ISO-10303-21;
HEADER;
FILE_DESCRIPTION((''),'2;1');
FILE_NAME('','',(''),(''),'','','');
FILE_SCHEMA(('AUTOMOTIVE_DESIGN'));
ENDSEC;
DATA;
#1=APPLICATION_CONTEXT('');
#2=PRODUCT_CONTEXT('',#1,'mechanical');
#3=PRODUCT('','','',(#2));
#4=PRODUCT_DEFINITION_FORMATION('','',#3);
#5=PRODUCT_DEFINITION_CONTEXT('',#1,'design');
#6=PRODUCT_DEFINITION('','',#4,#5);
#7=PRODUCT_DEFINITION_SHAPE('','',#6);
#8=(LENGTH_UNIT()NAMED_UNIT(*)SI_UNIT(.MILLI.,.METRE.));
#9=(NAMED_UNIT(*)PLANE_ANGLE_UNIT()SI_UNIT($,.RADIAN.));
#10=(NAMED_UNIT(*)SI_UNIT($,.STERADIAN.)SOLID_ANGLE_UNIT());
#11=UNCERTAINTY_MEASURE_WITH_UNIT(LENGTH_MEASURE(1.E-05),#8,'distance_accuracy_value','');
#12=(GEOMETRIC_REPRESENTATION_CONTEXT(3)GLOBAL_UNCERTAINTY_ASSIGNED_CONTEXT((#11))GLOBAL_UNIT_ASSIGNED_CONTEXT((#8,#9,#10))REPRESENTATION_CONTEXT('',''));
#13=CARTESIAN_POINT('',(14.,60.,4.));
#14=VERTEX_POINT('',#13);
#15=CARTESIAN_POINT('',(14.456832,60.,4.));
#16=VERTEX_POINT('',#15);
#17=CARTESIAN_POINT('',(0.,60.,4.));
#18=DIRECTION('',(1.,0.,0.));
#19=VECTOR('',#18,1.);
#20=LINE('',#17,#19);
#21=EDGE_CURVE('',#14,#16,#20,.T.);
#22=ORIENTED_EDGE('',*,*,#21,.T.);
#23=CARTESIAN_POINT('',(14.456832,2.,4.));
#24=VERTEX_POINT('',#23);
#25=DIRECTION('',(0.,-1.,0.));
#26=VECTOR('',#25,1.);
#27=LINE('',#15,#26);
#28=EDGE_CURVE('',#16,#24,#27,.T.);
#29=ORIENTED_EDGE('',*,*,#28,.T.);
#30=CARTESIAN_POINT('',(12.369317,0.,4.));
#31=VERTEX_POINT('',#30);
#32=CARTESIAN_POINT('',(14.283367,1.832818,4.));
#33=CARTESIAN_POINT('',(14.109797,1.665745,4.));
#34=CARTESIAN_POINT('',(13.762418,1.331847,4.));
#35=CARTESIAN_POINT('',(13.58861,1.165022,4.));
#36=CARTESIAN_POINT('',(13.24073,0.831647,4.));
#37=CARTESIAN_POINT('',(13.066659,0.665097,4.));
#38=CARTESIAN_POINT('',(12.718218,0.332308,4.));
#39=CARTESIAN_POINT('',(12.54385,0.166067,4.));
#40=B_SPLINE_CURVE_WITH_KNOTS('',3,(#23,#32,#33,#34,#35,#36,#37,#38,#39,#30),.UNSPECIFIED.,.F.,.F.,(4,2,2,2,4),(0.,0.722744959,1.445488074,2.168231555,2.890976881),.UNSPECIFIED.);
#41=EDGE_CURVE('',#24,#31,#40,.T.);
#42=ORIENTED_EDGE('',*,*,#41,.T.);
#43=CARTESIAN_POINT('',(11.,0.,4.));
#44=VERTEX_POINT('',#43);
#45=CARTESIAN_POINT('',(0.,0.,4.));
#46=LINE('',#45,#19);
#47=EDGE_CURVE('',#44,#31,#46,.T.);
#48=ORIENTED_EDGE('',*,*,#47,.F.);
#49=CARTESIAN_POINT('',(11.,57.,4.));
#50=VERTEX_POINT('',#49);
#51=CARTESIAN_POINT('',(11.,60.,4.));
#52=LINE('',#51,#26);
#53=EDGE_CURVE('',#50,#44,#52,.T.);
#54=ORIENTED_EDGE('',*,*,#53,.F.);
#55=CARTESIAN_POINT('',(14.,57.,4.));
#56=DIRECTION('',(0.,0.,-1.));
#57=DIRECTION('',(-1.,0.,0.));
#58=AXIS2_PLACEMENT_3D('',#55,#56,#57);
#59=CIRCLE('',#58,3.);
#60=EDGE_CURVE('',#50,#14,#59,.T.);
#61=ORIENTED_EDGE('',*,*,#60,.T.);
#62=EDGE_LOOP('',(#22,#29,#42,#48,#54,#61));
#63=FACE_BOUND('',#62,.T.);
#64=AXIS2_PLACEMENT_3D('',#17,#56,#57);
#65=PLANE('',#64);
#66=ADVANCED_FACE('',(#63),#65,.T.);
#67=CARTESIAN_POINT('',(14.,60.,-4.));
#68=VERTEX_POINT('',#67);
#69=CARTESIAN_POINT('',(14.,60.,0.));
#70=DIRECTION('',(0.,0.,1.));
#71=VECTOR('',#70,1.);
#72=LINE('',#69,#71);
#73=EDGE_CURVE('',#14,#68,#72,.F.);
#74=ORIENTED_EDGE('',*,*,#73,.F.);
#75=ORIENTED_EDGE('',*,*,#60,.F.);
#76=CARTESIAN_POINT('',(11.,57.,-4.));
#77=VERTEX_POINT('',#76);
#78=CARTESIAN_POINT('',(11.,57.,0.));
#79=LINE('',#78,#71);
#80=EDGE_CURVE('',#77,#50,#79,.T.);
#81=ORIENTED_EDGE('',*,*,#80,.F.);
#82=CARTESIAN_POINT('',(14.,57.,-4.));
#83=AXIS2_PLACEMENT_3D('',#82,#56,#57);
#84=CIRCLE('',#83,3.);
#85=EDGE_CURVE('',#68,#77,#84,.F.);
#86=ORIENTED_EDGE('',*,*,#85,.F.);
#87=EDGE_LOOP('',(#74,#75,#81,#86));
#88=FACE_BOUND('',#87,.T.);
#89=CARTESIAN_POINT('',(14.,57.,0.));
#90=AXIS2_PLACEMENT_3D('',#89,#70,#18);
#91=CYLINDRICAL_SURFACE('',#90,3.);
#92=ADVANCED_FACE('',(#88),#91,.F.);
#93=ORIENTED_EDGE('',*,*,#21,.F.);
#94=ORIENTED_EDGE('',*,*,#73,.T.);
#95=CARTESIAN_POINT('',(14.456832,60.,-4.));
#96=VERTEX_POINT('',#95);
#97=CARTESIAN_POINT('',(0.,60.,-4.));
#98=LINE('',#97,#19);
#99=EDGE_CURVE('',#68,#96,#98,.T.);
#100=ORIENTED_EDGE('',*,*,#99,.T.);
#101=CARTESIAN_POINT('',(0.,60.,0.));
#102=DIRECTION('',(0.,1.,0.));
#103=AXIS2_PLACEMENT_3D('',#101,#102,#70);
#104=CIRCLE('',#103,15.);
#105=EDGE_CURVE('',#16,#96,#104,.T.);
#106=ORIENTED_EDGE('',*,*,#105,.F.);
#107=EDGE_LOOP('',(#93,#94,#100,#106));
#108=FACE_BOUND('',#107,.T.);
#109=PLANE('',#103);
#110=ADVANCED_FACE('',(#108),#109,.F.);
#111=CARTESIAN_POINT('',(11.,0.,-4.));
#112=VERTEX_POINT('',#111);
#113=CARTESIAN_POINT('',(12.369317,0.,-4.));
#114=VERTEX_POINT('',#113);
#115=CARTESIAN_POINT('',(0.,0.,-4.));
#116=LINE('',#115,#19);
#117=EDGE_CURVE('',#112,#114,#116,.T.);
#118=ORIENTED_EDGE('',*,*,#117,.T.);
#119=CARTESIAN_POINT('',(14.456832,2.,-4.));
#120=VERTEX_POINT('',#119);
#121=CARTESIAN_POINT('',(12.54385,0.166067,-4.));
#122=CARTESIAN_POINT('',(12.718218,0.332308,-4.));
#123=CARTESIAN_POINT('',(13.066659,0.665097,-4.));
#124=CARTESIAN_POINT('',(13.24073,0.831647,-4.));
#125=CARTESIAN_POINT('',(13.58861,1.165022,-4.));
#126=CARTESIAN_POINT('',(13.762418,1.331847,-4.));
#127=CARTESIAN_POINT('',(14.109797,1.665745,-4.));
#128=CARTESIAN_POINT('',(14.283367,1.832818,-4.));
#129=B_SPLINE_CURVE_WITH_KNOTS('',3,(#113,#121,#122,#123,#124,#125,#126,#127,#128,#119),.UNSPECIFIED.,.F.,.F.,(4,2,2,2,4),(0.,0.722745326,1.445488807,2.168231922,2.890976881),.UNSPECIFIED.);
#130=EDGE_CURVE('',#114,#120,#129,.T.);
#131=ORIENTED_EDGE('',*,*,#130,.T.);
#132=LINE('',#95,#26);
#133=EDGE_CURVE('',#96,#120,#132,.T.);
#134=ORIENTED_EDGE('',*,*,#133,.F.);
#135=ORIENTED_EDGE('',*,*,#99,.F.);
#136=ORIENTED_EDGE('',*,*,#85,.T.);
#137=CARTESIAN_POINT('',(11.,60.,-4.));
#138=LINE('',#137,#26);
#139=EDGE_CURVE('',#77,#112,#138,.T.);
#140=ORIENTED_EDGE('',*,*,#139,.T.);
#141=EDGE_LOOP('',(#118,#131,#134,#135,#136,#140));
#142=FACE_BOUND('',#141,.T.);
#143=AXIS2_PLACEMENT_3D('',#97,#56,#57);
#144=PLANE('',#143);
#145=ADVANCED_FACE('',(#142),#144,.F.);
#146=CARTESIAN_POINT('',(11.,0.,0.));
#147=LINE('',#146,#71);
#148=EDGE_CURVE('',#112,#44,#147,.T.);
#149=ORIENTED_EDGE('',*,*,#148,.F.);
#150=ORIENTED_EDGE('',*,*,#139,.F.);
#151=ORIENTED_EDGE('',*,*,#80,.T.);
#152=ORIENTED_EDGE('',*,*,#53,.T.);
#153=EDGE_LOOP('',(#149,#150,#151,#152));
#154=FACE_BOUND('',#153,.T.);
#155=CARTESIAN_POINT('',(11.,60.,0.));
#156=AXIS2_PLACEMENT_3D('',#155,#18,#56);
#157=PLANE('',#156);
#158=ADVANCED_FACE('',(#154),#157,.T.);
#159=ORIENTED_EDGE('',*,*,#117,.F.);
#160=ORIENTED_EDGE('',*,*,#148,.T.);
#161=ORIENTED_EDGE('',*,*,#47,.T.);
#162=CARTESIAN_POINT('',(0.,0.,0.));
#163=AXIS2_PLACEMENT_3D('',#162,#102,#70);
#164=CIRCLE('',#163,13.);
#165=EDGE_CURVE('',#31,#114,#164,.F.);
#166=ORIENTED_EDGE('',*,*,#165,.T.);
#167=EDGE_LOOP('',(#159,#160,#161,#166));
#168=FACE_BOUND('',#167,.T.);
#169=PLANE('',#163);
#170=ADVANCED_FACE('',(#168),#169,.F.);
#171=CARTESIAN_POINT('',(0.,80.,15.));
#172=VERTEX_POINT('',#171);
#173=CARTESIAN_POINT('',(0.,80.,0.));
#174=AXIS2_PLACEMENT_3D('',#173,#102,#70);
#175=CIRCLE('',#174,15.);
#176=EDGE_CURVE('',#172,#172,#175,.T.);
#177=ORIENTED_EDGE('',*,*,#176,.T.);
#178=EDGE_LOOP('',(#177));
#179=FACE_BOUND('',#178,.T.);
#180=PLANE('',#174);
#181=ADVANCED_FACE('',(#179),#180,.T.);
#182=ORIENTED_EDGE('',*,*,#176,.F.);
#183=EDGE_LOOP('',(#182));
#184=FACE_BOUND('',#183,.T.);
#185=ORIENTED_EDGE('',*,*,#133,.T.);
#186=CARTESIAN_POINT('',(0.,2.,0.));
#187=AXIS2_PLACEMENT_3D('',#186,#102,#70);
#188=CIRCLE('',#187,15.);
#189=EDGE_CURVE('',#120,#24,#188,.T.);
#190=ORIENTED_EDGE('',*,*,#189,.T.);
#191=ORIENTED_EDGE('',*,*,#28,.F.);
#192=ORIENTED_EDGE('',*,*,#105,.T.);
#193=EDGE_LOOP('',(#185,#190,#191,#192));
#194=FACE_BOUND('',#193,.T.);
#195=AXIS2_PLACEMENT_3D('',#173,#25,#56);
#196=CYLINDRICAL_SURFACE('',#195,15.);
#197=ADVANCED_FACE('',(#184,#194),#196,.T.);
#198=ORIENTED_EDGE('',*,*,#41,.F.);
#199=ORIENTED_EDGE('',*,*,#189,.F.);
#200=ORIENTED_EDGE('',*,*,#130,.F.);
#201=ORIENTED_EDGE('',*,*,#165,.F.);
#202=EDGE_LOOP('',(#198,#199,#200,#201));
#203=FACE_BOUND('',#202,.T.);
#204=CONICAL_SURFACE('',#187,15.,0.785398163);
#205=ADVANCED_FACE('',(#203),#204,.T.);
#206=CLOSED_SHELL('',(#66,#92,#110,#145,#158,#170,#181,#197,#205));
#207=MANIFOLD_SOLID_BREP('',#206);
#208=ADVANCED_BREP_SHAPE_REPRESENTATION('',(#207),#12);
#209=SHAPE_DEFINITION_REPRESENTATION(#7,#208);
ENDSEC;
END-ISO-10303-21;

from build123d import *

# Parameters (mm, degrees)
SKETCH1_R           = 15
BOSS_EXTRUDE1_DEPTH = 80
CUT_EXTRUDE1_DEPTH  = 60
FILLET1_R           = 3
CHAMFER1_SIZE       = 2


with BuildPart() as part:
    # Sketch1 → Boss-Extrude1 (new body)
    with BuildSketch(Plane(origin=(0, 0, 0), x_dir=(1, 0, 0), z_dir=(0, 1, 0))):
        Circle(SKETCH1_R)
    extrude(amount=BOSS_EXTRUDE1_DEPTH)

    # Sketch1<3> → Cut-Extrude1 (cut)
    with BuildSketch(Plane(origin=(0, 0, 0), x_dir=(1, 0, 0), z_dir=(0, 1, 0))):
        with BuildLine():
            Line((14.456832295, 4), (11, 4))
            Line((11, 4), (11, -4))
            Line((11, -4), (14.456832295, -4))
            ThreePointArc((14.456832295, -4), (14.863587797, -2.018355219), (15, 0))
            ThreePointArc((15, 0), (14.863587797, 2.018355219), (14.456832295, 4))
        make_face()
    extrude(amount=CUT_EXTRUDE1_DEPTH, mode=Mode.SUBTRACT)

    # Fillet1
    fillet1_edges = [part.edges().sort_by_distance(p)[0] for p in [
        (11, 60, 0),
    ]]
    fillet(fillet1_edges, radius=FILLET1_R)

    # Chamfer1
    chamfer1_edges = [part.edges().sort_by_distance(p)[0] for p in [
        (-15, 0, 0),
    ]]
    chamfer(chamfer1_edges, length=CHAMFER1_SIZE)


solid = part.part
